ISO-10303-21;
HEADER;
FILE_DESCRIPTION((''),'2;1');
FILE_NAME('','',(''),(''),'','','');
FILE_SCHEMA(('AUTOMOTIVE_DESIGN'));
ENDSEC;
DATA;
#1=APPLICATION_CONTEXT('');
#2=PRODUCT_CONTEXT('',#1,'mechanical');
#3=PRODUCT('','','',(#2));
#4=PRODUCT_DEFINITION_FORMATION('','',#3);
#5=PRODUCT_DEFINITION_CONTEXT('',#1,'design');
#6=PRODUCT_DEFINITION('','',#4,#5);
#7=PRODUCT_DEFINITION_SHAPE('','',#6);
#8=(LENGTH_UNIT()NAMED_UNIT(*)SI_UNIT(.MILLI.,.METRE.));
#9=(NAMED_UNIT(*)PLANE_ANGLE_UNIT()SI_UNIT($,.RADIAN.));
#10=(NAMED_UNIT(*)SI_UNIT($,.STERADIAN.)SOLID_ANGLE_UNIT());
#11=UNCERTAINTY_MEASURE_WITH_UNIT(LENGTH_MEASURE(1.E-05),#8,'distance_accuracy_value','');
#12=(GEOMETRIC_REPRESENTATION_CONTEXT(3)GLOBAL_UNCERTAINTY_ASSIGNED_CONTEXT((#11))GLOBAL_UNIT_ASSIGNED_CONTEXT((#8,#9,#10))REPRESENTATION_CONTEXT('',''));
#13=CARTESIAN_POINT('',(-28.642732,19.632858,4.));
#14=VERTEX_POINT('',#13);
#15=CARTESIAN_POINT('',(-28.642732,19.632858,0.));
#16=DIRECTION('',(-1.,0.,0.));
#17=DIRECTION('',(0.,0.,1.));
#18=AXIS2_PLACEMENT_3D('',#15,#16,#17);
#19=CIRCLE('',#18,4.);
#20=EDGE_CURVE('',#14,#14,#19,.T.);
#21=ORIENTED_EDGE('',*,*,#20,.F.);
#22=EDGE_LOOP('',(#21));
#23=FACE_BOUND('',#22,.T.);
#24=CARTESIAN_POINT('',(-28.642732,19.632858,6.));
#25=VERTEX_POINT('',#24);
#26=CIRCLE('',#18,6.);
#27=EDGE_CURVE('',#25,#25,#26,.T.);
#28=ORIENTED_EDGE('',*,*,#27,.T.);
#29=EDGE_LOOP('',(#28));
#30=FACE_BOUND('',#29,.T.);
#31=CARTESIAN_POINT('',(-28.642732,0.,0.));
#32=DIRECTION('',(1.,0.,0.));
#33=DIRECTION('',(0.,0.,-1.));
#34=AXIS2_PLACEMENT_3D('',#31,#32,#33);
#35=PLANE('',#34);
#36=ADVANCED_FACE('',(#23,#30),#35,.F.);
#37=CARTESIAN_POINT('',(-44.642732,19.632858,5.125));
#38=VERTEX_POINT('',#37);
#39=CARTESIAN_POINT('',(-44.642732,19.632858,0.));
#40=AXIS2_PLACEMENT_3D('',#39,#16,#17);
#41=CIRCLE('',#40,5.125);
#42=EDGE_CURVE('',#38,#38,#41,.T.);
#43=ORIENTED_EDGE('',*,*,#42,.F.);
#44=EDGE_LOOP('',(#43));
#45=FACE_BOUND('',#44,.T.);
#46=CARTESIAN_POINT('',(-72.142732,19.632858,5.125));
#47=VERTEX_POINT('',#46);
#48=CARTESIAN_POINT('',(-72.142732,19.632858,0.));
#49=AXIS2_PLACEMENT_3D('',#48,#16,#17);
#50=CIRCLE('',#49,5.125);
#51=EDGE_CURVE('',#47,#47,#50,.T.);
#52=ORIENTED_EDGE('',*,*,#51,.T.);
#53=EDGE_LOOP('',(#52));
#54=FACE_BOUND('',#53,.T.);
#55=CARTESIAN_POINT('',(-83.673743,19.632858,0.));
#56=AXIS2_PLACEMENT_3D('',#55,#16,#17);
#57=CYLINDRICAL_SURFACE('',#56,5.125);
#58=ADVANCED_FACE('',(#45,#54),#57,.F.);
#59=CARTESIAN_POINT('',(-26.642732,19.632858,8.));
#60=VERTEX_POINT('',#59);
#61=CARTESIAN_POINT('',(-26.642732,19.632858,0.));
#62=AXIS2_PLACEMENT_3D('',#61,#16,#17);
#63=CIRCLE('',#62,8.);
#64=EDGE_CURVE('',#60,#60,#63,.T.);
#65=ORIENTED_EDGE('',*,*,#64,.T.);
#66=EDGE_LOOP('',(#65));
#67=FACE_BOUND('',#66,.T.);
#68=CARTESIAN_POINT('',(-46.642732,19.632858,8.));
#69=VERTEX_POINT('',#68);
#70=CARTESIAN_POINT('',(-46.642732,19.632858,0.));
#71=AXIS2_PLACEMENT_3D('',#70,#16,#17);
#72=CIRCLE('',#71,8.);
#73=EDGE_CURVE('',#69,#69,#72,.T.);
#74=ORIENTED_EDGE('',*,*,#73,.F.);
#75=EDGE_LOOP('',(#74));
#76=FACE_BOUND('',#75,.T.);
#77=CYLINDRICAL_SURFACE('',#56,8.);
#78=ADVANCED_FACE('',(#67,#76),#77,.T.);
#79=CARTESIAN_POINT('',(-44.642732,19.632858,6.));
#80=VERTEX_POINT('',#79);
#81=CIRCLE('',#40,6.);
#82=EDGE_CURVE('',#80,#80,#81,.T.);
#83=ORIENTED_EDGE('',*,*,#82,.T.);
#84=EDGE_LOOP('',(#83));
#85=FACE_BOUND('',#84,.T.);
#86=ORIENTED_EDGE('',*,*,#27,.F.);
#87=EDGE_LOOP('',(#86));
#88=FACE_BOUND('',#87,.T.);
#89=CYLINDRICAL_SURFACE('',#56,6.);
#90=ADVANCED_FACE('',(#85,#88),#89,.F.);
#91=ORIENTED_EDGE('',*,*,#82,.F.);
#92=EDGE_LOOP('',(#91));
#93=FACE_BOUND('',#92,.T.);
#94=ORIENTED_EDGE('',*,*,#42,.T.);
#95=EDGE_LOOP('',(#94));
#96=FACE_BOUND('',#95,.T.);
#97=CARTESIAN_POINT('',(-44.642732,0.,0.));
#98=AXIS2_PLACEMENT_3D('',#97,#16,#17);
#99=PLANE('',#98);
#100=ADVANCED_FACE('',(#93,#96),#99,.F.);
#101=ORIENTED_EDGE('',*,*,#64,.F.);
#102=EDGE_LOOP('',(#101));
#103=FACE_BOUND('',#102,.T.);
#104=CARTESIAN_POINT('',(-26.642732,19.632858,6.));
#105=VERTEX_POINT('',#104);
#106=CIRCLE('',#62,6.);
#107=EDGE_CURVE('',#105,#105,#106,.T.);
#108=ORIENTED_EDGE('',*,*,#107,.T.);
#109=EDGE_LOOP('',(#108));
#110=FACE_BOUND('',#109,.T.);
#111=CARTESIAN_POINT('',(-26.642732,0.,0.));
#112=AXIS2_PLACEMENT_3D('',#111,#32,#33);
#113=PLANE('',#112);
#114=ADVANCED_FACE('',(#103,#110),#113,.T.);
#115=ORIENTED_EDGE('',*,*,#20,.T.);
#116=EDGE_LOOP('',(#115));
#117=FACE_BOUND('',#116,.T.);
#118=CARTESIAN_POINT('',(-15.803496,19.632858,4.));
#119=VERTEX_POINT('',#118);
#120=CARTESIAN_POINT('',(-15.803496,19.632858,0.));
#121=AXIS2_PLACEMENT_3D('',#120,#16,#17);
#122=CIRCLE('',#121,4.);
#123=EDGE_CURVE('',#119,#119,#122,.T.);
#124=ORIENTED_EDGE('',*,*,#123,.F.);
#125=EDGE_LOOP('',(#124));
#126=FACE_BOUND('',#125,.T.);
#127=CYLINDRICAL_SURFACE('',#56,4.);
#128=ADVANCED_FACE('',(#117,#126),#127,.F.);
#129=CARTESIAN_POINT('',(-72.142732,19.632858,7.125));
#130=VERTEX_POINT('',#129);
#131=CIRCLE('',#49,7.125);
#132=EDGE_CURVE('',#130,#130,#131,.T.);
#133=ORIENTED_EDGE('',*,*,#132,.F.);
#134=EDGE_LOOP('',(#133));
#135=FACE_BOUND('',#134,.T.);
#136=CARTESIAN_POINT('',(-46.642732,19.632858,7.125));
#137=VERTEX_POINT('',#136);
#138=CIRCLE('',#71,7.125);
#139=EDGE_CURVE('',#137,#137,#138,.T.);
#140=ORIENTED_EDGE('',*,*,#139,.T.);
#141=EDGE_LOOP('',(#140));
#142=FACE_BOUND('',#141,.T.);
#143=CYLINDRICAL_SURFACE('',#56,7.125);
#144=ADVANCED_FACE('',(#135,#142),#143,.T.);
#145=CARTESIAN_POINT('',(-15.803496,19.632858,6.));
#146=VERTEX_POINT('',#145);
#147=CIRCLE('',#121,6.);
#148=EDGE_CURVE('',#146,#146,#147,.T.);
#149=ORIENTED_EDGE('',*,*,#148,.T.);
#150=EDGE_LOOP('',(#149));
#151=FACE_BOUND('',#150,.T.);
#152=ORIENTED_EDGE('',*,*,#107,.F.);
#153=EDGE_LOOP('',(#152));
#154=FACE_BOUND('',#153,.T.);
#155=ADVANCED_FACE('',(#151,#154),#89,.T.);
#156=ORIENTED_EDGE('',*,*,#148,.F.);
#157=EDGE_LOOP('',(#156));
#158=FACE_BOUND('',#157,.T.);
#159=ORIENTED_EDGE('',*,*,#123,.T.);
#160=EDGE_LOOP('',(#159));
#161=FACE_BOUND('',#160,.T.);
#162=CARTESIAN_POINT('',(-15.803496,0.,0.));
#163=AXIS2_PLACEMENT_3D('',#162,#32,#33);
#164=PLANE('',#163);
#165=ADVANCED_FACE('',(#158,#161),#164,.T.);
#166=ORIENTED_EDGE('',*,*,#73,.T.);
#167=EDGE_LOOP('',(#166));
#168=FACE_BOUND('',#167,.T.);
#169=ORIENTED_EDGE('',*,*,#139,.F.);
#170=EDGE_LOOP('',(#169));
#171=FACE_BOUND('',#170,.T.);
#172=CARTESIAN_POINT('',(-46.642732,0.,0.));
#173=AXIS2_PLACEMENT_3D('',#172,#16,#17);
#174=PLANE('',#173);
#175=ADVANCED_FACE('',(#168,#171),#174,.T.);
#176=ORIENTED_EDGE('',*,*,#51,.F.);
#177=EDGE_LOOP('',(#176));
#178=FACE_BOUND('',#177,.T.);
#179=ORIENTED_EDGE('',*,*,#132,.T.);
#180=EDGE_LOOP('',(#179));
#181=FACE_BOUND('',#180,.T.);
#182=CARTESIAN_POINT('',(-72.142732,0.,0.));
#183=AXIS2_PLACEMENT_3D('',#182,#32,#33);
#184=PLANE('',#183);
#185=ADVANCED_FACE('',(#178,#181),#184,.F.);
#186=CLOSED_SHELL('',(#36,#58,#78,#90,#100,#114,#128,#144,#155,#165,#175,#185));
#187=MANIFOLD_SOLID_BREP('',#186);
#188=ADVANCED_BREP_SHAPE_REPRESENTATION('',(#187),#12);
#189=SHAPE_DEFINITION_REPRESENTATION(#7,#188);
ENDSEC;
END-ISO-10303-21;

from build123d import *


with BuildPart() as part:
    # Sketch1 → Revolve1 (revolve)
    with BuildSketch(Plane.XY, mode=Mode.PRIVATE) as revolve1_sk:
        Polygon((-44.64273222, 24.757857647), (-44.64273222, 25.632857647), (-28.64273222, 25.632857647), (-28.64273222, 23.632857647), (-15.803496151, 23.632857647), (-15.803496151, 25.632857647), (-26.64273222, 25.632857647), (-26.64273222, 27.632857647), (-46.64273222, 27.632857647), (-46.64273222, 26.757857647), (-72.14273222, 26.757857647), (-72.14273222, 24.757857647), align=None)
    revolve(revolve1_sk.sketch.rotate(Axis((-83.673742698, 19.632857647, 0), (1, 0, 0)), 90), axis=Axis((-83.673742698, 19.632857647, 0), (1, 0, 0)))


solid = part.part
